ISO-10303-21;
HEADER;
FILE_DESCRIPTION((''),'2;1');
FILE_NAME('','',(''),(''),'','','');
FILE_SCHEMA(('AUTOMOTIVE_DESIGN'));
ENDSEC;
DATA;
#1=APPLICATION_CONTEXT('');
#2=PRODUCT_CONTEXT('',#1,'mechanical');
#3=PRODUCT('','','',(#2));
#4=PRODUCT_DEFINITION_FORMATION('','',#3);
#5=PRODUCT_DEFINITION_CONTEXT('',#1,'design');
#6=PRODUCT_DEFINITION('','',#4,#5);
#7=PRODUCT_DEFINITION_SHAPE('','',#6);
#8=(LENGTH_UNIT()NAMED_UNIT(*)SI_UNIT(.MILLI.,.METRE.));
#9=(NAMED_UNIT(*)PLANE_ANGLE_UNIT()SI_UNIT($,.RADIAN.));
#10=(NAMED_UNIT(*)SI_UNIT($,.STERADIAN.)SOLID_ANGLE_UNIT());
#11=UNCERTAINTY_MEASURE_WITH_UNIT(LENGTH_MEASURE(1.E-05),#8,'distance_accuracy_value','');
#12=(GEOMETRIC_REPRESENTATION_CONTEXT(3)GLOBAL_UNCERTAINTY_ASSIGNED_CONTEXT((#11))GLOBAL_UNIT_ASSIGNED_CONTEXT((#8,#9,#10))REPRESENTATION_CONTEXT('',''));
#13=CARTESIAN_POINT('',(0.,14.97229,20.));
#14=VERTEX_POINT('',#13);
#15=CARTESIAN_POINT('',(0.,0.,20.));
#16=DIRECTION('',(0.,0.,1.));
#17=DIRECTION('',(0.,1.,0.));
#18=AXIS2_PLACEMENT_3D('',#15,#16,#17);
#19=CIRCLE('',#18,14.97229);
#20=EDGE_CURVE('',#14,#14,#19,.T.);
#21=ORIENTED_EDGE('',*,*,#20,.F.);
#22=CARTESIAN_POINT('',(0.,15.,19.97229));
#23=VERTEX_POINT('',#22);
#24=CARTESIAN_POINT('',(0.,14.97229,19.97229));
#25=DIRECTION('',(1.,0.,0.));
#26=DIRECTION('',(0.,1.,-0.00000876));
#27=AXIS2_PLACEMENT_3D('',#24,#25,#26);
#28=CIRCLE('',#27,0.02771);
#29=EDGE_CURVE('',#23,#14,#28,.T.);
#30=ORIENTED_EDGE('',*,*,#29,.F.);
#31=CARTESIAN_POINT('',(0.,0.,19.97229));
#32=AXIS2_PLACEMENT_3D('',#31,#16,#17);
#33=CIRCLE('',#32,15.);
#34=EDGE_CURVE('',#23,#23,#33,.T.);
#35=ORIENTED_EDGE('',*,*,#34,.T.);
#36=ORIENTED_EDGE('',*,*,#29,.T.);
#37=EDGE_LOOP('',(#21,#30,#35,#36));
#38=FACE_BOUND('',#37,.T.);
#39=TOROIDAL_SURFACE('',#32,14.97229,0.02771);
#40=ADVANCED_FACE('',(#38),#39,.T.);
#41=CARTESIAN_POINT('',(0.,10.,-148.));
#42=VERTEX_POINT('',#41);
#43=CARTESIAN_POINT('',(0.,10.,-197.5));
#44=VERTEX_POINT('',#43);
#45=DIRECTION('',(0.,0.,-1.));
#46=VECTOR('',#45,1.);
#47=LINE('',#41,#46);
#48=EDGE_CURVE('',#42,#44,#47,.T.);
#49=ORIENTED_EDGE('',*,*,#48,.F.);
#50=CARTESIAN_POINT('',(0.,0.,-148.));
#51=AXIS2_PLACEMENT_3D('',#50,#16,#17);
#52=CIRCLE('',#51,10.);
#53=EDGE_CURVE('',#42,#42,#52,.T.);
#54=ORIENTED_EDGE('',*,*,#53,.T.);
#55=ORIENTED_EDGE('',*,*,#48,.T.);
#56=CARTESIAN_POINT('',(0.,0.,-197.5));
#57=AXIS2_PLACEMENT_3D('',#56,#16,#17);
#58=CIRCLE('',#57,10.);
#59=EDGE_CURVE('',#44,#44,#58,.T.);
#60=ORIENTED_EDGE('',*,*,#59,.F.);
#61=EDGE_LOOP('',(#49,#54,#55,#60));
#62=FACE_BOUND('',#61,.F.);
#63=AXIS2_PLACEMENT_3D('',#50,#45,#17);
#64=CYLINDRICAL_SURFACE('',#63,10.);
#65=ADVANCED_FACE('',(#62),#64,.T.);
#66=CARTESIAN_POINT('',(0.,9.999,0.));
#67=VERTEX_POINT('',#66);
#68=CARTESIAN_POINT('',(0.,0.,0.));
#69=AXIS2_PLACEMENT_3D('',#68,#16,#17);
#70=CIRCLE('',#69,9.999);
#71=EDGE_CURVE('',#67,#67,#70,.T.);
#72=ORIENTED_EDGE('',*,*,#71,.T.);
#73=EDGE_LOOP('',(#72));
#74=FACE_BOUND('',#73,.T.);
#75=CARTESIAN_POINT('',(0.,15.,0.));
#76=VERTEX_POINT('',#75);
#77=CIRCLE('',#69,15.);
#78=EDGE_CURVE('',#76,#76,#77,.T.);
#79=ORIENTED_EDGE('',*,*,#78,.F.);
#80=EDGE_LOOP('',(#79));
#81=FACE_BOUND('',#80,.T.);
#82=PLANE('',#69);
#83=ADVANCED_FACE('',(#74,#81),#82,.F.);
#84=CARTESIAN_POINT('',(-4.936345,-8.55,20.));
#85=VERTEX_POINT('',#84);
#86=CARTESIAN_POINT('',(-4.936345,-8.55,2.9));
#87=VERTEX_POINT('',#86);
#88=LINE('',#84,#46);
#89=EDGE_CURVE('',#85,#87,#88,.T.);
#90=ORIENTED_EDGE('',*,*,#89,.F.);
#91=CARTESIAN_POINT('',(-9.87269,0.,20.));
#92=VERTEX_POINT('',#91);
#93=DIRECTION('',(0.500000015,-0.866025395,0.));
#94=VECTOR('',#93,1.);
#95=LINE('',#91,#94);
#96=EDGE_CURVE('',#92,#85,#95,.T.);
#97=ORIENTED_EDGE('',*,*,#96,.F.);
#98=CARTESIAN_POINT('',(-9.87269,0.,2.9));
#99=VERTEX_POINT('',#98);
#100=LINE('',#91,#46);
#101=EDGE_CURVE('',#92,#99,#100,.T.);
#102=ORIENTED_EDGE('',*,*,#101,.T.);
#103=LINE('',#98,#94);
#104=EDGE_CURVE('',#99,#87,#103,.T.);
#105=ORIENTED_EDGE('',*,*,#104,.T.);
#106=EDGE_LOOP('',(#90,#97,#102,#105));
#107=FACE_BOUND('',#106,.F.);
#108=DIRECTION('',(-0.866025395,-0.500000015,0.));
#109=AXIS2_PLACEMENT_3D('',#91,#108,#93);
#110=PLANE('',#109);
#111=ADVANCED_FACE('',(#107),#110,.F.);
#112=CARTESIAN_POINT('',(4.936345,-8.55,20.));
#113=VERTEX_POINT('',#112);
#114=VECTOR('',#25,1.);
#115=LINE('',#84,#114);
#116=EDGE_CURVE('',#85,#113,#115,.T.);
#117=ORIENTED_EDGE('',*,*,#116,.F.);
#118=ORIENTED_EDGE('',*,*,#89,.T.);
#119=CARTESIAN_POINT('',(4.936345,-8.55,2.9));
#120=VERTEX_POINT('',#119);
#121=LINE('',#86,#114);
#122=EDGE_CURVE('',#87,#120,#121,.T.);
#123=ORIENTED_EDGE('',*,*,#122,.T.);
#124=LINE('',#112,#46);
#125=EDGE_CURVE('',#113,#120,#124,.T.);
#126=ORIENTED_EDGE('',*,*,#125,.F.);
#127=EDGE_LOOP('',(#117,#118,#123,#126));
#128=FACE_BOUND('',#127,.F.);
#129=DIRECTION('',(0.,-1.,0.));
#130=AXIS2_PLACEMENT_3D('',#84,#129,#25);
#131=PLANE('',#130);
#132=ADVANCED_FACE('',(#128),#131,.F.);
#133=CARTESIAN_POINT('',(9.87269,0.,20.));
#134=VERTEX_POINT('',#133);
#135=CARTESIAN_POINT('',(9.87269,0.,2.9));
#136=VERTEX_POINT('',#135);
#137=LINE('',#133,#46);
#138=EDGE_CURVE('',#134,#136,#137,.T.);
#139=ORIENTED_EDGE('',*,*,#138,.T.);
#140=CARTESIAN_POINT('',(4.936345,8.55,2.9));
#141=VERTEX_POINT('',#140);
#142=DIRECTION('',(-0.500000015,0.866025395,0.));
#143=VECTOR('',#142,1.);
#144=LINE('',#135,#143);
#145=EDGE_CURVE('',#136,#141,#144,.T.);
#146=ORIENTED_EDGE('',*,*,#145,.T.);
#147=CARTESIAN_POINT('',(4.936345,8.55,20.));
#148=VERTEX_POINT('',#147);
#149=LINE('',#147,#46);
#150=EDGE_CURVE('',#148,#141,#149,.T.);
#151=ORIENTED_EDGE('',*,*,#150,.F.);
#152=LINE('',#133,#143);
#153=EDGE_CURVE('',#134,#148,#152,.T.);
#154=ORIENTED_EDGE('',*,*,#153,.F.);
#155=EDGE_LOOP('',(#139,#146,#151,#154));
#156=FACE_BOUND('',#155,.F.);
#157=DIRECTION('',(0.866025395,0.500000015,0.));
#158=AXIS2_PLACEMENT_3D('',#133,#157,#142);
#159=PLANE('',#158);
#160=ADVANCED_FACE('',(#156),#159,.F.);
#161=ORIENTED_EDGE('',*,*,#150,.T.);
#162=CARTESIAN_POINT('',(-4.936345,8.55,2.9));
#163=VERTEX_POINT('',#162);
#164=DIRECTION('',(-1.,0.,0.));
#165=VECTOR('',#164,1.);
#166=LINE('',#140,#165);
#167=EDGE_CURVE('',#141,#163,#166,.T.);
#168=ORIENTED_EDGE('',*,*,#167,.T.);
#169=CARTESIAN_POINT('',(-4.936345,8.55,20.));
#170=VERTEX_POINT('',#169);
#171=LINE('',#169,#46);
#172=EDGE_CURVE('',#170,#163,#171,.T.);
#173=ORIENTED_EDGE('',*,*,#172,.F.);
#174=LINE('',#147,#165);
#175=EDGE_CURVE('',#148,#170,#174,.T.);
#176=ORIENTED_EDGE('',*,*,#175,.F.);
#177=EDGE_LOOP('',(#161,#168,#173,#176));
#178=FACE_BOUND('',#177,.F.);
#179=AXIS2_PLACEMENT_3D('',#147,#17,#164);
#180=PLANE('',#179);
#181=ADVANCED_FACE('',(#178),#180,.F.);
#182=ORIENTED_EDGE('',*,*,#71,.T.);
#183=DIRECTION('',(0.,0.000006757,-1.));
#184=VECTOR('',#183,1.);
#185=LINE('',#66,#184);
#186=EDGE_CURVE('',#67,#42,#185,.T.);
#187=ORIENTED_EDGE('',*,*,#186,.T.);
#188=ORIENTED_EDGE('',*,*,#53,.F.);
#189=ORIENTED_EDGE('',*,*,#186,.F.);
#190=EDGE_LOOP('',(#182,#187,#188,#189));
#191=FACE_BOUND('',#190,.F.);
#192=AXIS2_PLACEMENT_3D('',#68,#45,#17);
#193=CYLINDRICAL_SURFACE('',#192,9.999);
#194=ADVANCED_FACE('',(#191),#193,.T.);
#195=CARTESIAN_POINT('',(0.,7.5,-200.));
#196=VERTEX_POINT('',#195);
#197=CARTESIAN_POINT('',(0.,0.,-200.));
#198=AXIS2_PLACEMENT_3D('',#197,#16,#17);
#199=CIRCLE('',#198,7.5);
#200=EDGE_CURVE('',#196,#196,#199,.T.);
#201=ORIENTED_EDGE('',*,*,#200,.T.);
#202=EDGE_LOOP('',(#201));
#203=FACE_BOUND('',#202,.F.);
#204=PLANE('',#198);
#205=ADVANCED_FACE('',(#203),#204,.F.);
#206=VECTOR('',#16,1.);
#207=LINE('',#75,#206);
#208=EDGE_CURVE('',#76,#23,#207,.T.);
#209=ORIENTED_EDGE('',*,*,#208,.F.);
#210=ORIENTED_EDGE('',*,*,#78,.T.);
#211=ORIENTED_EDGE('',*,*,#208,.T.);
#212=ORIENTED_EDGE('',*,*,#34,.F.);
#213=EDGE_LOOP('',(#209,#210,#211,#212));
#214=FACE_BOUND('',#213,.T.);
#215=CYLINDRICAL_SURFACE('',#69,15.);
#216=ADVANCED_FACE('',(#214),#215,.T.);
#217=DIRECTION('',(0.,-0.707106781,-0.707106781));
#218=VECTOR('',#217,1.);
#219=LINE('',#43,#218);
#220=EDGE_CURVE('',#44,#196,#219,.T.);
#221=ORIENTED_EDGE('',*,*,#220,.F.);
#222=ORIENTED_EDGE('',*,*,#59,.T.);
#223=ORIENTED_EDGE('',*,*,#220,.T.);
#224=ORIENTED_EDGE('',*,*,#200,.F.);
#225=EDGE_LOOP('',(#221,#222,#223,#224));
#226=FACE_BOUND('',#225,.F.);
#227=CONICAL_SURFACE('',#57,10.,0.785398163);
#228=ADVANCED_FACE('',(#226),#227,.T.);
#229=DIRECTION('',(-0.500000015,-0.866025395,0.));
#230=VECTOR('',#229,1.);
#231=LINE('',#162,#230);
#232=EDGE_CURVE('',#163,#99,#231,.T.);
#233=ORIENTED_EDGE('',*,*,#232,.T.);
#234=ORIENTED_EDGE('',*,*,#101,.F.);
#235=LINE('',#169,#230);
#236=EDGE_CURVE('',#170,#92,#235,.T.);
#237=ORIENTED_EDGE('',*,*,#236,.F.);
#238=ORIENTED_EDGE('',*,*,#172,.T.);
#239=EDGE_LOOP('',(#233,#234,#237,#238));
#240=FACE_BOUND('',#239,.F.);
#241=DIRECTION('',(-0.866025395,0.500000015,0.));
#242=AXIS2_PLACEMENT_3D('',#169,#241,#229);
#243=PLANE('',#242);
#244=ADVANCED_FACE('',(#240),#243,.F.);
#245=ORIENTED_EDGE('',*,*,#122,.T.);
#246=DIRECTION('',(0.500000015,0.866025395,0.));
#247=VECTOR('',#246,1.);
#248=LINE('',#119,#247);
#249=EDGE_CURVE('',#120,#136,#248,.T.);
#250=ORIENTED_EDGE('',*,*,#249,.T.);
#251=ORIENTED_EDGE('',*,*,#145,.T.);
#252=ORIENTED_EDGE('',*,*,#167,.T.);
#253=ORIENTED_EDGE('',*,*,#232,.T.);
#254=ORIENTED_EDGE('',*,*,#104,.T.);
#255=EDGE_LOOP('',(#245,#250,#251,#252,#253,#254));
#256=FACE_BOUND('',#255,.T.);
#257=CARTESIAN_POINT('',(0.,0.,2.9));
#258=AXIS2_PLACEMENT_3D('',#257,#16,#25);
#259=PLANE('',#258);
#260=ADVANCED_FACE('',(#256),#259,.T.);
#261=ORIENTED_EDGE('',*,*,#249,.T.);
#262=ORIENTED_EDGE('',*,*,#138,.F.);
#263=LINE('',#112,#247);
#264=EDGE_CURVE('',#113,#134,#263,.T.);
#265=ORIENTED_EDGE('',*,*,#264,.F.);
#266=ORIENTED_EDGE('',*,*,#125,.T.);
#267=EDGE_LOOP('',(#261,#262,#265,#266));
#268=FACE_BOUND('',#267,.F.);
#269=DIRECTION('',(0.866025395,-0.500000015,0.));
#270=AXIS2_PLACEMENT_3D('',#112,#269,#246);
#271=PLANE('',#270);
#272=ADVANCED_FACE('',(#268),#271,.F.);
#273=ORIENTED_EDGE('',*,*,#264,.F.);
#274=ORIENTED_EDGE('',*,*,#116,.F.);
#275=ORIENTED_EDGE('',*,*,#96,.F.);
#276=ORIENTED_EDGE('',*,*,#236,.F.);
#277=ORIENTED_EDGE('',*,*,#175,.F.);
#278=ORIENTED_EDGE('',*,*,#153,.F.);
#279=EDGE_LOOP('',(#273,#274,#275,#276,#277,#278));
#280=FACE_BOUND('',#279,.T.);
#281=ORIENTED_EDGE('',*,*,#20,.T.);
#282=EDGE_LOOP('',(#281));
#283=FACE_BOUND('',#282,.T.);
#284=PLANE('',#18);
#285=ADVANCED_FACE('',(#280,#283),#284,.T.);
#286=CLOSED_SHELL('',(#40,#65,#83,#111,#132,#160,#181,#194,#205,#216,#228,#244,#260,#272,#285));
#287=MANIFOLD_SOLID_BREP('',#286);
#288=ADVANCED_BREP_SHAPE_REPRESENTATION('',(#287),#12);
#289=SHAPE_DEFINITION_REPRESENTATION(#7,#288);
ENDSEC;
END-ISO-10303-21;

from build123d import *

# Parameters (mm, degrees)
POCKET_DEPTH = 17.1


with BuildPart() as part:
    # Sketch → Revolve (revolve)
    with BuildSketch(Plane.YZ):
        with BuildLine():
            Line((9.999, 0), (15, 0))
            Line((15, 0), (15, 19.97229))
            ThreePointArc((15, 19.97229), (14.991884, 19.991884), (14.97229, 20))
            Line((14.97229, 20), (0, 20))
            Line((0, -200), (0, 20))
            Line((7.5, -200), (0, -200))
            Line((10, -197.5), (7.5, -200))
            Line((10, -148), (10, -197.5))
            Line((9.999, 0), (10, -148))
        make_face()
    revolve(axis=Axis((0, 0, 0), (0, 0, 1)))

    # Sketch001 → Pocket (cut)
    with BuildSketch(Plane.XY.offset(20)):
        Polygon((9.87269, 0), (4.936345, 8.55), (-4.936345, 8.55), (-9.87269, 0), (-4.936345, -8.55), (4.936345, -8.55), align=None)
    extrude(amount=-POCKET_DEPTH, mode=Mode.SUBTRACT)


solid = part.part
